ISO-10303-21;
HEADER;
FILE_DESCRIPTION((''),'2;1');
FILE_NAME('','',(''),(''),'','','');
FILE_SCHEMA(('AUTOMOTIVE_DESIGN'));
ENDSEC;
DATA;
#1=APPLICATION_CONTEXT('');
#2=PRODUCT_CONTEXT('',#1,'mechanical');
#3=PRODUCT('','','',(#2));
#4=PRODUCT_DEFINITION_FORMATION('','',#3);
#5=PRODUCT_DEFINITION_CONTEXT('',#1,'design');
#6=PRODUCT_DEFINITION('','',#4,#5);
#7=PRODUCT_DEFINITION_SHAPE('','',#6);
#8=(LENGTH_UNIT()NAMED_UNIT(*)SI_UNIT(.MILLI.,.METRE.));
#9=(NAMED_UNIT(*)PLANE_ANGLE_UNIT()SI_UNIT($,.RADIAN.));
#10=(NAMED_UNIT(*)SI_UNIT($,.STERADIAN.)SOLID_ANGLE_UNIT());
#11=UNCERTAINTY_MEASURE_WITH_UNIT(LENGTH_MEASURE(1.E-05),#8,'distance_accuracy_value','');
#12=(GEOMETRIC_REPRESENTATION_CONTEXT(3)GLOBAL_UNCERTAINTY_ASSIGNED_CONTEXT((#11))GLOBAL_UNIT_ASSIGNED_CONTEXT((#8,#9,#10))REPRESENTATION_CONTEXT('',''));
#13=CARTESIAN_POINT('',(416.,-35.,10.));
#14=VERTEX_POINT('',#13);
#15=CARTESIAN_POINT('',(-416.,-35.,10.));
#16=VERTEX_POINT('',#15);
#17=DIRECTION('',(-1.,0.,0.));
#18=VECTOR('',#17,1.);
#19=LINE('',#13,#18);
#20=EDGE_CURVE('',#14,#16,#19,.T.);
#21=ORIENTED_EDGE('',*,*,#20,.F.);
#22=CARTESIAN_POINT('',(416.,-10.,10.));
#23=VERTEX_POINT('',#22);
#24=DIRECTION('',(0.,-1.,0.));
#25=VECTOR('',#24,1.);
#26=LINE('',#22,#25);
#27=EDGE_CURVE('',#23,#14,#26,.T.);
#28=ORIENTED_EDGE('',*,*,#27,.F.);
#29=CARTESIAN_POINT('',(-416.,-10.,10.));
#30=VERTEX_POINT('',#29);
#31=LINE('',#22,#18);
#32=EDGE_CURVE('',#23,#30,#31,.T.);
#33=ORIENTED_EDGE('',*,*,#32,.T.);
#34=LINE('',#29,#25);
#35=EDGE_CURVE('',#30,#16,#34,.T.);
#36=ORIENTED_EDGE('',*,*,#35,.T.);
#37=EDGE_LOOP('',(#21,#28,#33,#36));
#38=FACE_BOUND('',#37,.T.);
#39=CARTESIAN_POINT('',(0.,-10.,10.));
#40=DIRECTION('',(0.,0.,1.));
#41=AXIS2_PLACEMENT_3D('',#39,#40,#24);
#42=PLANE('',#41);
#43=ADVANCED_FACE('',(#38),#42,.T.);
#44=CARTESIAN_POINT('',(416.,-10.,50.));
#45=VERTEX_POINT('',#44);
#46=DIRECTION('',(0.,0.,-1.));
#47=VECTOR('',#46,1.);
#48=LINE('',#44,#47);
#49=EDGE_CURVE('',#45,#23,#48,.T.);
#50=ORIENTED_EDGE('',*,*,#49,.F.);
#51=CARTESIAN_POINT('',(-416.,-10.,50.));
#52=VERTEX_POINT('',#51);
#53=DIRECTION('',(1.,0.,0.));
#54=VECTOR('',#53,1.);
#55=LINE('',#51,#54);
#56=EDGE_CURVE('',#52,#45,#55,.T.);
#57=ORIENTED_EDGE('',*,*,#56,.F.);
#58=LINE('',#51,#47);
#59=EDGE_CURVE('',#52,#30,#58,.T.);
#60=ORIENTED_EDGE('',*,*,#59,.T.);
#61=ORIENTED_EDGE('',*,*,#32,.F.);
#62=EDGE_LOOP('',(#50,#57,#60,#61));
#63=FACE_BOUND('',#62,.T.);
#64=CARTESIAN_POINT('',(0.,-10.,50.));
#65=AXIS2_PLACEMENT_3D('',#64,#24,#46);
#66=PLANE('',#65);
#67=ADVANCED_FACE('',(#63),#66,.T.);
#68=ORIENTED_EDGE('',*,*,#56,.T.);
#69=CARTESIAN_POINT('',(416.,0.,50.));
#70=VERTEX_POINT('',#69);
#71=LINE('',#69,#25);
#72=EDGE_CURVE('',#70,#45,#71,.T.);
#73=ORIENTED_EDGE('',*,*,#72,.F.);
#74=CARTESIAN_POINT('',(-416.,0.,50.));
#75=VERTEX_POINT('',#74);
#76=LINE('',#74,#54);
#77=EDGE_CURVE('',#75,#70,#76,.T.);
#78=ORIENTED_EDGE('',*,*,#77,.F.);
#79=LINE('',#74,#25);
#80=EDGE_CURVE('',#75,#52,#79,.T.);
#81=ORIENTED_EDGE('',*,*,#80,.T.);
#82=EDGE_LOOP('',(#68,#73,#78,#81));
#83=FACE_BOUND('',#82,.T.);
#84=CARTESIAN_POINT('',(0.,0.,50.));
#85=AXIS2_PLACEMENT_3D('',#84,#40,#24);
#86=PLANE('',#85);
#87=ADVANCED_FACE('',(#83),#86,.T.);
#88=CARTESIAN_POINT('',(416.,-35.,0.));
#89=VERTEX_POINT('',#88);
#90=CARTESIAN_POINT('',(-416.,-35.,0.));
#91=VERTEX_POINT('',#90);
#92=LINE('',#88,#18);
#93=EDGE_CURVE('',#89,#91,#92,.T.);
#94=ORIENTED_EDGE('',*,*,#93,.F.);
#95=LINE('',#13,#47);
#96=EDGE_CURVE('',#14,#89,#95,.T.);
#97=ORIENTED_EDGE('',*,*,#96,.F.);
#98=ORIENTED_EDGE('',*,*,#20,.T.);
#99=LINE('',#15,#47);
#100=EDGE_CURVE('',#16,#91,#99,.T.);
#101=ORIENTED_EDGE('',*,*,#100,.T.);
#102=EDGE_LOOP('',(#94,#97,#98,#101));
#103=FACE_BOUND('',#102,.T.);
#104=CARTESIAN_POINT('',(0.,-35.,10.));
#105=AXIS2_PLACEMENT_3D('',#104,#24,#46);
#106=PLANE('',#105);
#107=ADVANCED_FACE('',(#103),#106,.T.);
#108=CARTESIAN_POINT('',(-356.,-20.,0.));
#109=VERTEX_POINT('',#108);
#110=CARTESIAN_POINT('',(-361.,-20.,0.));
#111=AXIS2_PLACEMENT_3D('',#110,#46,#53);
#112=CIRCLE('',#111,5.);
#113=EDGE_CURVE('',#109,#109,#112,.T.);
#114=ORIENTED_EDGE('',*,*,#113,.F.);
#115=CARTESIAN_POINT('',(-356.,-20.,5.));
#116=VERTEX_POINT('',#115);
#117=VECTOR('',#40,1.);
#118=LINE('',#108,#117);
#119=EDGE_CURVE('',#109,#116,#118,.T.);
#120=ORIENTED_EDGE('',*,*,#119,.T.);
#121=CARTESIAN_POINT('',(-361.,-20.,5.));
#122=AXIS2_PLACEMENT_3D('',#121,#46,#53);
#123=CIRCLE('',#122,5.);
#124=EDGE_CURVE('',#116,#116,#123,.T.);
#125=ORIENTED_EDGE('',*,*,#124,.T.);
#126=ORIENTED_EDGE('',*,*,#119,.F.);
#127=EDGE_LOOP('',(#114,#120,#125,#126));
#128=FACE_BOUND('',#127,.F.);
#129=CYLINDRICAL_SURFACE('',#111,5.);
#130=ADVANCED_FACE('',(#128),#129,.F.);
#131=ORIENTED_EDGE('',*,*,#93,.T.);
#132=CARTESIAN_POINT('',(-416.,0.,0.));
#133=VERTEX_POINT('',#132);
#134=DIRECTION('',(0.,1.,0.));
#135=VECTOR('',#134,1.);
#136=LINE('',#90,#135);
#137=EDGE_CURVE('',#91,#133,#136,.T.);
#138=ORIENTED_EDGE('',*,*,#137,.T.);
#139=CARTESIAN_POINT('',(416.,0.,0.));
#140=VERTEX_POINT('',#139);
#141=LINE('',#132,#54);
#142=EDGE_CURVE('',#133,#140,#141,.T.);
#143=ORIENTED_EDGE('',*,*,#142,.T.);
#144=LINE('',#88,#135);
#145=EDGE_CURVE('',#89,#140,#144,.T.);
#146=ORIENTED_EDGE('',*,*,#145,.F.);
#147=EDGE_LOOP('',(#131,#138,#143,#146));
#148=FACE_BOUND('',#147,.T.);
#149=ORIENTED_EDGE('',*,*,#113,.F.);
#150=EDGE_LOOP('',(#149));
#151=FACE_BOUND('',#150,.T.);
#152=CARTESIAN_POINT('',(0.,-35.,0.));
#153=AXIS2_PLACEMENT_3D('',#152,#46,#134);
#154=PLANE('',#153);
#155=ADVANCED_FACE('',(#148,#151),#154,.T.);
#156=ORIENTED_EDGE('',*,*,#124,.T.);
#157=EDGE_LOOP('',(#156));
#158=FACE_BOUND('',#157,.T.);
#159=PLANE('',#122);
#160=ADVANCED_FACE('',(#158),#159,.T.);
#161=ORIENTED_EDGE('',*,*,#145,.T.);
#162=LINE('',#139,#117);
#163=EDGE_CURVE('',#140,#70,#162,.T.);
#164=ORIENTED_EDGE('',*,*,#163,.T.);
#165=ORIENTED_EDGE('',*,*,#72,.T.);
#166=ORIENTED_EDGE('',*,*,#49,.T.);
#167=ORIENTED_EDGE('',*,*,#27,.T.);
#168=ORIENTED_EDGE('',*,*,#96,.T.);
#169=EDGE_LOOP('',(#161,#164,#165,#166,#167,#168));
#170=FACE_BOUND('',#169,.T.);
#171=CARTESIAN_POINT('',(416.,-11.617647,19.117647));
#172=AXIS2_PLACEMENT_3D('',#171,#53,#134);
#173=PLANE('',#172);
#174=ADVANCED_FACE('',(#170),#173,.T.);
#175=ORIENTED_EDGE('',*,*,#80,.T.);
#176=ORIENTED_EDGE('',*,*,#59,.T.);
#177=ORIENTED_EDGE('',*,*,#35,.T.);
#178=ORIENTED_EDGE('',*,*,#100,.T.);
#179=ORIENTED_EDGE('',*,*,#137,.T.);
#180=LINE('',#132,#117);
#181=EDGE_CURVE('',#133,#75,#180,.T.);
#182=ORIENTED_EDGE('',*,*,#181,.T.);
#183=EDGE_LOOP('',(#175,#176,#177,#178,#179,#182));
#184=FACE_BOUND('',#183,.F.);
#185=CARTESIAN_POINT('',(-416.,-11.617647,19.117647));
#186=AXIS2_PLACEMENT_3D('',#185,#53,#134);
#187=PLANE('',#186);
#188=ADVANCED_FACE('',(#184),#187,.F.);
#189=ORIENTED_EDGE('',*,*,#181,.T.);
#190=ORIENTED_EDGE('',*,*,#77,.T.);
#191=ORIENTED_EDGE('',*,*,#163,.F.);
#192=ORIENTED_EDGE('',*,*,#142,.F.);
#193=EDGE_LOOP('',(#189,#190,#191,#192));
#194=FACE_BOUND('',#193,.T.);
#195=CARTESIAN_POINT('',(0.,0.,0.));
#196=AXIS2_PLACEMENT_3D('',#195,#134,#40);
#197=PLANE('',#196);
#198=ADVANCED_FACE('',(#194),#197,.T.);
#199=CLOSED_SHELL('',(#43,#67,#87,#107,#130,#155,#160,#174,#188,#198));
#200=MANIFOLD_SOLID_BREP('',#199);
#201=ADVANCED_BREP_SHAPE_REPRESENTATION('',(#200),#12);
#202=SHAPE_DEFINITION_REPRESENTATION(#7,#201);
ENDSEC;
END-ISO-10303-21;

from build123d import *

# Parameters (mm, degrees)
F1_DEPTH = 416
F2_R     = 5
F3_DEPTH = 5


with BuildPart() as f1:
    # F0 (on Right) → F1 (new body, symmetric)
    with BuildSketch(Plane.YZ):
        Polygon((-35, 0), (0, 0), (0, 50), (-10, 50), (-10, 10), (-35, 10), align=None)
    extrude(amount=F1_DEPTH, both=True)

    # F2 (on face) → F3 (cut)
    with BuildSketch(Plane(origin=(0, 0, 0), x_dir=(1, 0, 0), z_dir=(0, 0, -1))):
        with Locations((-361, 20)):
            Circle(F2_R)
    extrude(amount=-F3_DEPTH, mode=Mode.SUBTRACT)


solid = f1.part
